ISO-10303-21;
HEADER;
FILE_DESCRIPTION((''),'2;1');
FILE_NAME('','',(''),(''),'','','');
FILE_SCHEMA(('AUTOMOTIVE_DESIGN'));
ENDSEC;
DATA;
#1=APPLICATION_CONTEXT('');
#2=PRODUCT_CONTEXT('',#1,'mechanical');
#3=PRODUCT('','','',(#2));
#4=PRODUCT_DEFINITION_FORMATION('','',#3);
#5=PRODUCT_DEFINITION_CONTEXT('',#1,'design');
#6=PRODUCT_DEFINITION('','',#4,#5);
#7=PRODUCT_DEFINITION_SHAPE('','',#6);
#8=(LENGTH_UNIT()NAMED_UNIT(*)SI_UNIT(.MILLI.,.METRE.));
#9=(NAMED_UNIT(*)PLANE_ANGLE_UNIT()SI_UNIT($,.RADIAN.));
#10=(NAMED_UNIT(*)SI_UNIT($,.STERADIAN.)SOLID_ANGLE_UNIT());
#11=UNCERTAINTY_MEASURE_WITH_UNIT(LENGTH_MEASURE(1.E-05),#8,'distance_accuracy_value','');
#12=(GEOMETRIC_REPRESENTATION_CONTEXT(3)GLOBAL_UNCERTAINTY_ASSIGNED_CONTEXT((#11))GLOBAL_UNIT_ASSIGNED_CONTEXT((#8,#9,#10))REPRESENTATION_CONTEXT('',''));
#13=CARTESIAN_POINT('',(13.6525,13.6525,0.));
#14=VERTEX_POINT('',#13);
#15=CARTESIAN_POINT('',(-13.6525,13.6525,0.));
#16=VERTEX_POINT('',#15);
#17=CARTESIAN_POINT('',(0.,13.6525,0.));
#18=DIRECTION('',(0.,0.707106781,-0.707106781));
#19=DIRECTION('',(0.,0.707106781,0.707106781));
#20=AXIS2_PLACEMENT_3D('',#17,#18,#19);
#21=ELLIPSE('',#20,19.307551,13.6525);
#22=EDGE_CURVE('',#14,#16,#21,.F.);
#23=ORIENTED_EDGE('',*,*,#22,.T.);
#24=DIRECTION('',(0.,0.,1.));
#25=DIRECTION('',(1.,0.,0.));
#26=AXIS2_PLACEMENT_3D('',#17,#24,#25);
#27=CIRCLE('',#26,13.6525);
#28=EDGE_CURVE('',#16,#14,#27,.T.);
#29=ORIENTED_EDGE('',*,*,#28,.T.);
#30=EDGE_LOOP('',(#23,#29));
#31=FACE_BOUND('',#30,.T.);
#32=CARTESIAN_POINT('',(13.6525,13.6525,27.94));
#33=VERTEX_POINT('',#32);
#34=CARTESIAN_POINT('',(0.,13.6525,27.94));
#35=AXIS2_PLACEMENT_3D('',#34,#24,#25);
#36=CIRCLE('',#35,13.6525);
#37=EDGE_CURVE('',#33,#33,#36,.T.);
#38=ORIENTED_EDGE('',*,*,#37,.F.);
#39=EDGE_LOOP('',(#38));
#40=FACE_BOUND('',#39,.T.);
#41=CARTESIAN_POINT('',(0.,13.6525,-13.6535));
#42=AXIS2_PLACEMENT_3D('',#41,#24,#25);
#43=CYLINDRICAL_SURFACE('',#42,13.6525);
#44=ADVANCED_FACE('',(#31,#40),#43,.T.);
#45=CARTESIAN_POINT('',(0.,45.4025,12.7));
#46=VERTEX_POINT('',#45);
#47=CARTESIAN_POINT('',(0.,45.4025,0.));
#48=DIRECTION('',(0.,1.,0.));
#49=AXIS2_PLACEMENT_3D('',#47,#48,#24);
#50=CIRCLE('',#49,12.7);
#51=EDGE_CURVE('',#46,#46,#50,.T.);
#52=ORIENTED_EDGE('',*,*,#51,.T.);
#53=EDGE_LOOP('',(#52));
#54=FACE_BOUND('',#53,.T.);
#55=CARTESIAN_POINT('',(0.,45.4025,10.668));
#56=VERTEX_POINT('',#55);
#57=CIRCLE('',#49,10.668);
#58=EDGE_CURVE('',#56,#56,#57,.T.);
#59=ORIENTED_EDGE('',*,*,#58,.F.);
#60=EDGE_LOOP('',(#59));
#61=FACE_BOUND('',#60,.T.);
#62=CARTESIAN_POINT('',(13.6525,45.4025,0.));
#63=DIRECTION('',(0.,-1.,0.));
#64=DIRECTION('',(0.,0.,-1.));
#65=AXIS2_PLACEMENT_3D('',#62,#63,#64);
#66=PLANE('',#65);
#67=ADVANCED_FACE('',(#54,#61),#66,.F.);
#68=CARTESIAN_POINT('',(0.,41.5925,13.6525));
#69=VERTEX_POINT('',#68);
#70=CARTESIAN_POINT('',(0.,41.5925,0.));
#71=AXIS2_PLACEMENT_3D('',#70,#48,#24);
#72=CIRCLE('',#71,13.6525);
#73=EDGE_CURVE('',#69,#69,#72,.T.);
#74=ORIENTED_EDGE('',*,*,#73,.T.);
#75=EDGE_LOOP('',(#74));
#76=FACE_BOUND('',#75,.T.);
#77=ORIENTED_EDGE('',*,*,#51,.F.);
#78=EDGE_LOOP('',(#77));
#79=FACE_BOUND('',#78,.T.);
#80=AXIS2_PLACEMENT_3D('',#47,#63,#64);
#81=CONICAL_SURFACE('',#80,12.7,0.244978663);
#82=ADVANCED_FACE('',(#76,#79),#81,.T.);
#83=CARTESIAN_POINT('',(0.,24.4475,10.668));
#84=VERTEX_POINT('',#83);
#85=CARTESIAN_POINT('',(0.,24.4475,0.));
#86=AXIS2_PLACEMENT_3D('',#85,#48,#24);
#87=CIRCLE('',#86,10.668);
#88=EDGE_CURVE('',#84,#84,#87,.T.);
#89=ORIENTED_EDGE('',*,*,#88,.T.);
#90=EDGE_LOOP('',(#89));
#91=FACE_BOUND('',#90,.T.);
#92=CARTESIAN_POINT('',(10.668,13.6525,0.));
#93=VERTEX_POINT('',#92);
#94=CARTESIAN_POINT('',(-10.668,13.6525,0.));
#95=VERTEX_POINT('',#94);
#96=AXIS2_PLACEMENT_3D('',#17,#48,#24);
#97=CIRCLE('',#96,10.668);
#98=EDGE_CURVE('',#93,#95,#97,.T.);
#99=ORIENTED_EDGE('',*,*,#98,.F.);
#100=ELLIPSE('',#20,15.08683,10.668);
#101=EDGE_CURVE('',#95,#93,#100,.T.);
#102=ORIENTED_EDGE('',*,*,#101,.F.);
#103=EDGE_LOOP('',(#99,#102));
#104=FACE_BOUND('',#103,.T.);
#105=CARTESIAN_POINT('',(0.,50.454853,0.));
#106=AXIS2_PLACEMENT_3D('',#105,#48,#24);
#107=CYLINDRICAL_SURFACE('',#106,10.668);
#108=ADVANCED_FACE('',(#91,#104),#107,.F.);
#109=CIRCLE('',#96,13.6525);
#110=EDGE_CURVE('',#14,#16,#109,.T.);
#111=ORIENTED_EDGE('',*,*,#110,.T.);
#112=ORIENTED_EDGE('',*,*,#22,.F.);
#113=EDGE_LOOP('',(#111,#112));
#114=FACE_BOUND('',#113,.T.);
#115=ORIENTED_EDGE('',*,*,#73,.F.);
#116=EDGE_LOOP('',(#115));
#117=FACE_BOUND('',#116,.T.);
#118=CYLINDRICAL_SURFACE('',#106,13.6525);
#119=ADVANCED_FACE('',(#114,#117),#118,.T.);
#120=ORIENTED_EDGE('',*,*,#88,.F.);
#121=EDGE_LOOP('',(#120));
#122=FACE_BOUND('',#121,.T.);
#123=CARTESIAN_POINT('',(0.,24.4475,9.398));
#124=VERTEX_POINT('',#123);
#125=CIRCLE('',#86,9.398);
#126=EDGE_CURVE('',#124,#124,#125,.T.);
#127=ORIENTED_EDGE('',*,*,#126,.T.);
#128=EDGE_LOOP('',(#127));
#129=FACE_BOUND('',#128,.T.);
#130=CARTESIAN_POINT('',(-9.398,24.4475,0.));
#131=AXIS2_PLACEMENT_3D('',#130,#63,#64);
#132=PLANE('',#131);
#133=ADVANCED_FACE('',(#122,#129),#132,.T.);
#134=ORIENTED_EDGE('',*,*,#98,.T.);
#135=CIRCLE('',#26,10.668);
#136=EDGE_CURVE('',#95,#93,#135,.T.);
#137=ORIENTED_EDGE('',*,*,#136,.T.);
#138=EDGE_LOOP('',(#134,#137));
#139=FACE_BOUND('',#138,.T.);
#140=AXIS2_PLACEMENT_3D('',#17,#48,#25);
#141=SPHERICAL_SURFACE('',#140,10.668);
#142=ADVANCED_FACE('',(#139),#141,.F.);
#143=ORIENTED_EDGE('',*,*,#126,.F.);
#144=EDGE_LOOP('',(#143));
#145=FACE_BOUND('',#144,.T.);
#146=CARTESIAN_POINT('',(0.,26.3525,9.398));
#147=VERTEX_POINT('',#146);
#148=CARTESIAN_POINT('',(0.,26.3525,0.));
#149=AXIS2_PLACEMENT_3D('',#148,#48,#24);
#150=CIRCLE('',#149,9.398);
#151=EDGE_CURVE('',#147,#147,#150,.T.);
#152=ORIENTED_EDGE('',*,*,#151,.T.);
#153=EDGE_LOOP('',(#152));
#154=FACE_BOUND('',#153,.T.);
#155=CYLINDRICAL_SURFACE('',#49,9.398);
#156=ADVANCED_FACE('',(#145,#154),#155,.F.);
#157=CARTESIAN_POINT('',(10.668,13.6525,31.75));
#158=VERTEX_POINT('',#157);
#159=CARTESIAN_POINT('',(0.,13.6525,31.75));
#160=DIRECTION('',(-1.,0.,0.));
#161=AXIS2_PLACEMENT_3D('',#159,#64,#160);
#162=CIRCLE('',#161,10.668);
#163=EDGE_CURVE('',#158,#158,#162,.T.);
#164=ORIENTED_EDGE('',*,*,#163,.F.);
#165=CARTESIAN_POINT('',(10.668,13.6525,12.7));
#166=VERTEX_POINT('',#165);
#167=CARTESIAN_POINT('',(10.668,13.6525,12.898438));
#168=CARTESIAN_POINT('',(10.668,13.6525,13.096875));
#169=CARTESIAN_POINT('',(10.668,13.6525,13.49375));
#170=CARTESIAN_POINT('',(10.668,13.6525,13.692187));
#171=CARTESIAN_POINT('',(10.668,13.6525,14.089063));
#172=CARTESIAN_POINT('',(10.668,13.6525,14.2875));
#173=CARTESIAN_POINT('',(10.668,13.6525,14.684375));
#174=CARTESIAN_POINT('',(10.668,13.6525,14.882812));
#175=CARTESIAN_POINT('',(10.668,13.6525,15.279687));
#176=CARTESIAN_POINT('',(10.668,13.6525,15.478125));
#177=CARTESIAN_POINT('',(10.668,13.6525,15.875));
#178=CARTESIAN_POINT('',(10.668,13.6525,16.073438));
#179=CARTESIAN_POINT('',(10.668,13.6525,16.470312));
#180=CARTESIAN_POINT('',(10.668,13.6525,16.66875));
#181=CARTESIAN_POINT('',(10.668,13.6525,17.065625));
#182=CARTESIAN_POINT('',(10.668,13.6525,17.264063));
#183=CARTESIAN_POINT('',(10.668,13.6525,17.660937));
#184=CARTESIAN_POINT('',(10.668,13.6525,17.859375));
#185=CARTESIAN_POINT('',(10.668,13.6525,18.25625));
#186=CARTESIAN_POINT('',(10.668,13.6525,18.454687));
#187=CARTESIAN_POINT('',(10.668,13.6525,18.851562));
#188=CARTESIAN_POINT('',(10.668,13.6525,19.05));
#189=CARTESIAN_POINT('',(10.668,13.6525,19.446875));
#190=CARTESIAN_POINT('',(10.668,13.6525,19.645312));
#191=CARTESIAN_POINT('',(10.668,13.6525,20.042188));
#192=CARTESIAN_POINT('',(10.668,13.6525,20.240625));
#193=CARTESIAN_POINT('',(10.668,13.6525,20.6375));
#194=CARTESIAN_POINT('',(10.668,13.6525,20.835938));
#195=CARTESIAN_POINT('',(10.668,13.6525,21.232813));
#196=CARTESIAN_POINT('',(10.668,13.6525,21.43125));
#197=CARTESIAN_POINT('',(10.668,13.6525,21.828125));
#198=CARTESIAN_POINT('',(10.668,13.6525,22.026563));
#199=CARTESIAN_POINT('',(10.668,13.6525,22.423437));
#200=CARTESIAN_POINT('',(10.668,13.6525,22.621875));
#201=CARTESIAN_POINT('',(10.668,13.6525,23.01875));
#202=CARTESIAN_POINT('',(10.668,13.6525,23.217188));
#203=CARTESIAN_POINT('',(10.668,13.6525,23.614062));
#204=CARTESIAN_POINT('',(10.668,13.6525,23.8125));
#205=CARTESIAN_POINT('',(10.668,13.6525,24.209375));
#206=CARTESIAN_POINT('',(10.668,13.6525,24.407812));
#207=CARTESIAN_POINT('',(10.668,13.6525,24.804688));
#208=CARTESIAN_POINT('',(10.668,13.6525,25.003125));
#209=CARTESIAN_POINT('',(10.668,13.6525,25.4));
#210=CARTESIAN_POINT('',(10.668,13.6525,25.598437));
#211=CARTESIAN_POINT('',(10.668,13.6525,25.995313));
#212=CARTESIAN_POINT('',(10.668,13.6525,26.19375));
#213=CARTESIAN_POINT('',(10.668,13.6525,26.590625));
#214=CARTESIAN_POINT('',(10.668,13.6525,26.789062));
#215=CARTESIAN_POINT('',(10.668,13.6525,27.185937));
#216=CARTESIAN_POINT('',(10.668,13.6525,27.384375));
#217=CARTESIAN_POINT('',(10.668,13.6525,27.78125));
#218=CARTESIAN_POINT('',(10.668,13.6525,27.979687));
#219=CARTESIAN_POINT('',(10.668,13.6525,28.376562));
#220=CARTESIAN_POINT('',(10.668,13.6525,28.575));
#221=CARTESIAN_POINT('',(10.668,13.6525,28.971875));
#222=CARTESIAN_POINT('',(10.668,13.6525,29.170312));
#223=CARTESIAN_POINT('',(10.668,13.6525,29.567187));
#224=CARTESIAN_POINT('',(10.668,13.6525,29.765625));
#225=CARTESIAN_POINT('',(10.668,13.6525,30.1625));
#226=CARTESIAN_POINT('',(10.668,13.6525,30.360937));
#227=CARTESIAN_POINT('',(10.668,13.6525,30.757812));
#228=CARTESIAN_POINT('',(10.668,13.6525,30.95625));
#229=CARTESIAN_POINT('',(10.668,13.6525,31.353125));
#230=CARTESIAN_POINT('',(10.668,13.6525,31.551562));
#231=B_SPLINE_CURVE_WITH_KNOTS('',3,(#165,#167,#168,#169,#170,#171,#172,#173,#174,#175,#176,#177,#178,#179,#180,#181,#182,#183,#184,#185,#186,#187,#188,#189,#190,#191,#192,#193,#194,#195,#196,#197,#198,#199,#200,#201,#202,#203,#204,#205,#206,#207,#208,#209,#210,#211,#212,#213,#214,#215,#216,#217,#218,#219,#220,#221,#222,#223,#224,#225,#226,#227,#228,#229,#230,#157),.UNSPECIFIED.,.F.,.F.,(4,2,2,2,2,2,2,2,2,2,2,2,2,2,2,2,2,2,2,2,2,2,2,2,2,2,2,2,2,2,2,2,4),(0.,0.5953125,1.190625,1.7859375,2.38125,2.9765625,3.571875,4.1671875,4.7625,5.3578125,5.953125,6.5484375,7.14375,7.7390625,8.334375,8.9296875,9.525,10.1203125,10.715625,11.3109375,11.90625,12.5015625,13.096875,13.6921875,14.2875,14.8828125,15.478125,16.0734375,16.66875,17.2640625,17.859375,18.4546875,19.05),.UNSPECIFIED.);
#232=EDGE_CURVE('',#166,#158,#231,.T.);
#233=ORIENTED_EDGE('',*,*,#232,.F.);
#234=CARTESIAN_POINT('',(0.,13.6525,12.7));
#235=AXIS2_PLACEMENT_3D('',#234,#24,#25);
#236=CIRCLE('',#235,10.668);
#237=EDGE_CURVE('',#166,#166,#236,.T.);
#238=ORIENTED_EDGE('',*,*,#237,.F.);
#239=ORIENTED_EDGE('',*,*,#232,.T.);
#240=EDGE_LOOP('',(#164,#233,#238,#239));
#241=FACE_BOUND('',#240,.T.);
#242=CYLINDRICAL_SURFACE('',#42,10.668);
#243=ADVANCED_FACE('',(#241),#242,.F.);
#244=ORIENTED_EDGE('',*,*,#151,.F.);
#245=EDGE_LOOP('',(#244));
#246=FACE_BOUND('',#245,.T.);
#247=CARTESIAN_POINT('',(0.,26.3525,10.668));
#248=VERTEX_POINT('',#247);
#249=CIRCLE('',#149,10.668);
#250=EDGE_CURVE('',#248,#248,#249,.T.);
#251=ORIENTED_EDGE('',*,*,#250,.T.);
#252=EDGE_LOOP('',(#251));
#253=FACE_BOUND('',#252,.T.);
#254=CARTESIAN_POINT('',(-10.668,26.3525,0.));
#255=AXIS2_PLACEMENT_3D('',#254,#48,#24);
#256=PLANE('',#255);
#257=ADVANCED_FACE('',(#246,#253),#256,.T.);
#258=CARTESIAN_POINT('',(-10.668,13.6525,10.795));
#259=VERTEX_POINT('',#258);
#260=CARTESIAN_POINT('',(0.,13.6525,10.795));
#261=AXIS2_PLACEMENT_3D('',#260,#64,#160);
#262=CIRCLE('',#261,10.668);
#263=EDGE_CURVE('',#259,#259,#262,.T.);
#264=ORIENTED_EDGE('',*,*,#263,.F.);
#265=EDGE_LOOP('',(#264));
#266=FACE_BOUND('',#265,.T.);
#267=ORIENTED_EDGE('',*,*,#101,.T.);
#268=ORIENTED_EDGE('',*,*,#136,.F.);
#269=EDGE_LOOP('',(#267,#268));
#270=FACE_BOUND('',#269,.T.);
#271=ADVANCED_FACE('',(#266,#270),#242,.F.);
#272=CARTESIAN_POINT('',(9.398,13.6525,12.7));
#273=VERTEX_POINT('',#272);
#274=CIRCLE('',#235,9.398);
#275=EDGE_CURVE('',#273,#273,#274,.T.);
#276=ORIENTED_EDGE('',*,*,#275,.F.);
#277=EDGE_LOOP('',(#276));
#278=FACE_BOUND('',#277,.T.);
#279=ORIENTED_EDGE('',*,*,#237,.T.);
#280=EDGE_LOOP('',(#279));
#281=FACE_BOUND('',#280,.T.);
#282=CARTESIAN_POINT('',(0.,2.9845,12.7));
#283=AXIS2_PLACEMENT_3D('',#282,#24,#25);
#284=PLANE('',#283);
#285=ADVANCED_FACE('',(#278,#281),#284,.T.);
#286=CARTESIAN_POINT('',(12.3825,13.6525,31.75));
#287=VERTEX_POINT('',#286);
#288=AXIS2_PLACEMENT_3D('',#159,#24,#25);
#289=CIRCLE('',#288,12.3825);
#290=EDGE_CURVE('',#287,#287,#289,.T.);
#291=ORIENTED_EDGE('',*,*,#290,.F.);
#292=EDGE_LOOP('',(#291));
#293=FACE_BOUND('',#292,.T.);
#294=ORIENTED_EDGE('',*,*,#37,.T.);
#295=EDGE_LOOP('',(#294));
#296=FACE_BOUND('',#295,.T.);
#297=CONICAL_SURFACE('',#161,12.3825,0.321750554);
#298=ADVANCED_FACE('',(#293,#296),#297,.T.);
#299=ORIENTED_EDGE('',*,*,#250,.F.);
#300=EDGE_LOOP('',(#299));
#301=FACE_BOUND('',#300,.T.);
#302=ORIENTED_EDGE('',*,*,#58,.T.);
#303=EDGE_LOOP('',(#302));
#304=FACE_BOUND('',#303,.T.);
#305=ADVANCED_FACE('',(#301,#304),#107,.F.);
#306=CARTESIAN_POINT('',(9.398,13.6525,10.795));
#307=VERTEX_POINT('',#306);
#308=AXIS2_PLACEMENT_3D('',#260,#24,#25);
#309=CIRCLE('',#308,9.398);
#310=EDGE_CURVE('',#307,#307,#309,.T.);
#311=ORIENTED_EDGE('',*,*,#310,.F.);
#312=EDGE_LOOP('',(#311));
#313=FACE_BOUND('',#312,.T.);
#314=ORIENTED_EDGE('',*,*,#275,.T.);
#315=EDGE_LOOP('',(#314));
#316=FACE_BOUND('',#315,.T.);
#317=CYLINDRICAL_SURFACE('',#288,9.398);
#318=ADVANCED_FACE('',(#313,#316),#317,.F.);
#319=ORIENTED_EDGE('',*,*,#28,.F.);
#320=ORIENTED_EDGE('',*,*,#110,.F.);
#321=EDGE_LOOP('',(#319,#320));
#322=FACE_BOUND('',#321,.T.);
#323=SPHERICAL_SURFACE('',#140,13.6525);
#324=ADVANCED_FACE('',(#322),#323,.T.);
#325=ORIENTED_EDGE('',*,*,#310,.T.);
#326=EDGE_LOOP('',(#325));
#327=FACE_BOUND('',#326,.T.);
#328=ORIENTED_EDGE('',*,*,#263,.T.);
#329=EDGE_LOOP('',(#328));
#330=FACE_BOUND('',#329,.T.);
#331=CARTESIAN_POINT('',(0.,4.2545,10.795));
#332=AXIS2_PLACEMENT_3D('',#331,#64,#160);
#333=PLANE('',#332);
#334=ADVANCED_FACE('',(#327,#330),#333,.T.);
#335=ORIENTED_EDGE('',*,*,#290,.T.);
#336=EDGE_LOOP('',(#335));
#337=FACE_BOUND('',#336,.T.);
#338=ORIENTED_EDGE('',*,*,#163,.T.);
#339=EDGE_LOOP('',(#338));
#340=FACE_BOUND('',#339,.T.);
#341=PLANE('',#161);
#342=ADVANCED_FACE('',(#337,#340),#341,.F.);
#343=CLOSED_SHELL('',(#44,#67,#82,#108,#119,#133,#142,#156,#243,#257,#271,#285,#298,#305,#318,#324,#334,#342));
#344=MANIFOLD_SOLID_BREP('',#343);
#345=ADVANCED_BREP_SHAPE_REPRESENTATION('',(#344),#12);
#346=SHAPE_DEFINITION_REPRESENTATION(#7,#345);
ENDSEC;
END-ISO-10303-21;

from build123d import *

# Parameters (mm, degrees)
BOSS_EXTRUDE2_REACH      = 67.644
BOSS_EXTRUDE2_END_RADIUS = 13.6525
SKETCH5_R                = 13.6525
SKETCH5_R_2              = 10.668
SKETCH6_R                = 10.668
CUT_EXTRUDE1_DEPTH       = 43.688
CUT_EXTRUDE2_START       = 44.196
SKETCH7_R                = 10.668
CUT_EXTRUDE2_DEPTH       = 44.196
SKETCH8_W                = 1.27
SKETCH8_H                = 1.905
SKETCH9_W                = 1.905
SKETCH9_H                = 1.27


with BuildPart() as part:
    # Sketch2 → Revolve1 (revolve)
    with BuildSketch(Plane.XY):
        with BuildLine():
            Line((13.6525, 13.6525), (13.6525, 45.4025))
            Line((13.6525, 45.4025), (10.668, 45.4025))
            Line((10.668, 45.4025), (10.668, 13.6525))
            ThreePointArc((10.668, 13.6525), (7.543415142, 6.109084858), (0, 2.9845))
            Line((0, 2.9845), (0, 0))
            ThreePointArc((0, 0), (9.65377533, 3.99872467), (13.6525, 13.6525))
        make_face()
    revolve(axis=Axis((0, 50.454853333, 0), (0, -1, 0)))

    # Boss-Extrude2: up to this sphere (the profile starts outside it)
    boss_extrude2_end = Location((0, 13.6525, 0)) * Sphere(BOSS_EXTRUDE2_END_RADIUS, mode=Mode.PRIVATE)
    # Sketch5 → Boss-Extrude2 (add, up to the surface)
    with BuildSketch(Plane(origin=(0, 0, 31.75), x_dir=(-1, 0, 0), z_dir=(0, 0, -1)), mode=Mode.PRIVATE) as boss_extrude2_sk1:
        with Locations((0, 13.6525)):
            Circle(SKETCH5_R)
        with Locations((0, 13.6525)):
            Circle(SKETCH5_R_2, mode=Mode.SUBTRACT)
    boss_extrude2_tool1 = extrude(boss_extrude2_sk1.sketch, amount=BOSS_EXTRUDE2_REACH, mode=Mode.PRIVATE) - boss_extrude2_end
    add(boss_extrude2_tool1.solids().sort_by_distance((13.266349, 13.6525, 31.75))[0])

    # Sketch6 → Cut-Extrude1 (cut)
    with BuildSketch(Plane(origin=(0, 13.6525, 0), x_dir=(1, 0, 0), z_dir=(0, 1, 0))):
        with Locations(Location((0, 0, 0), (0, 0, 270))):
            Circle(SKETCH6_R)
    extrude(amount=CUT_EXTRUDE1_DEPTH, mode=Mode.SUBTRACT)

    # Sketch7 → Cut-Extrude2 (cut)
    with BuildSketch(Plane.XY.offset(CUT_EXTRUDE2_START)):
        with Locations(Location((0, 13.6525, 0), (0, 0, 180))):
            Circle(SKETCH7_R)
    extrude(amount=-CUT_EXTRUDE2_DEPTH, mode=Mode.SUBTRACT)

    # Sketch8 → Revolve2 (revolve)
    with BuildSketch(Plane.XY, mode=Mode.PRIVATE) as revolve2_sk:
        with Locations((-10.033, 25.4)):
            Rectangle(SKETCH8_W, SKETCH8_H)
    revolve(revolve2_sk.sketch.rotate(Axis((0, 45.4025, 0), (0, -1, 0)), 270), axis=Axis((0, 45.4025, 0), (0, -1, 0)))

    # Sketch9 → Revolve3 (revolve)
    with BuildSketch(Plane(origin=(0, 0, 0), x_dir=(0, 0, -1), z_dir=(1, 0, 0)), mode=Mode.PRIVATE) as revolve3_sk:
        with Locations((-11.7475, 3.6195)):
            Rectangle(SKETCH9_W, SKETCH9_H)
    revolve(revolve3_sk.sketch.rotate(Axis((0, 13.6525, 31.75), (0, 0, -1)), 270), axis=Axis((0, 13.6525, 31.75), (0, 0, -1)))

    # Sketch10 → Cut-Revolve1 (revolve, cut)
    with BuildSketch(Plane(origin=(0, 0, 0), x_dir=(0, 0, -1), z_dir=(1, 0, 0)), mode=Mode.PRIVATE) as cut_revolve1_sk:
        Polygon((13.6525, 45.4025), (13.6525, 41.5925), (12.7, 45.4025), align=None)
    revolve(cut_revolve1_sk.sketch.rotate(Axis((0, 45.4025, 0), (0, -1, 0)), 180), axis=Axis((0, 45.4025, 0), (0, -1, 0)), mode=Mode.SUBTRACT)

    # Sketch12 → Cut-Revolve2 (revolve, cut)
    with BuildSketch(Plane(origin=(0, 13.6525, 0), x_dir=(1, 0, 0), z_dir=(0, 1, 0)), mode=Mode.PRIVATE) as cut_revolve2_sk:
        Polygon((-13.6525, -31.75), (-13.6525, -27.94), (-12.3825, -31.75), align=None)
    revolve(cut_revolve2_sk.sketch.rotate(Axis((0, 13.6525, 31.75), (0, 0, -1)), 180), axis=Axis((0, 13.6525, 31.75), (0, 0, -1)), mode=Mode.SUBTRACT)


solid = part.part
